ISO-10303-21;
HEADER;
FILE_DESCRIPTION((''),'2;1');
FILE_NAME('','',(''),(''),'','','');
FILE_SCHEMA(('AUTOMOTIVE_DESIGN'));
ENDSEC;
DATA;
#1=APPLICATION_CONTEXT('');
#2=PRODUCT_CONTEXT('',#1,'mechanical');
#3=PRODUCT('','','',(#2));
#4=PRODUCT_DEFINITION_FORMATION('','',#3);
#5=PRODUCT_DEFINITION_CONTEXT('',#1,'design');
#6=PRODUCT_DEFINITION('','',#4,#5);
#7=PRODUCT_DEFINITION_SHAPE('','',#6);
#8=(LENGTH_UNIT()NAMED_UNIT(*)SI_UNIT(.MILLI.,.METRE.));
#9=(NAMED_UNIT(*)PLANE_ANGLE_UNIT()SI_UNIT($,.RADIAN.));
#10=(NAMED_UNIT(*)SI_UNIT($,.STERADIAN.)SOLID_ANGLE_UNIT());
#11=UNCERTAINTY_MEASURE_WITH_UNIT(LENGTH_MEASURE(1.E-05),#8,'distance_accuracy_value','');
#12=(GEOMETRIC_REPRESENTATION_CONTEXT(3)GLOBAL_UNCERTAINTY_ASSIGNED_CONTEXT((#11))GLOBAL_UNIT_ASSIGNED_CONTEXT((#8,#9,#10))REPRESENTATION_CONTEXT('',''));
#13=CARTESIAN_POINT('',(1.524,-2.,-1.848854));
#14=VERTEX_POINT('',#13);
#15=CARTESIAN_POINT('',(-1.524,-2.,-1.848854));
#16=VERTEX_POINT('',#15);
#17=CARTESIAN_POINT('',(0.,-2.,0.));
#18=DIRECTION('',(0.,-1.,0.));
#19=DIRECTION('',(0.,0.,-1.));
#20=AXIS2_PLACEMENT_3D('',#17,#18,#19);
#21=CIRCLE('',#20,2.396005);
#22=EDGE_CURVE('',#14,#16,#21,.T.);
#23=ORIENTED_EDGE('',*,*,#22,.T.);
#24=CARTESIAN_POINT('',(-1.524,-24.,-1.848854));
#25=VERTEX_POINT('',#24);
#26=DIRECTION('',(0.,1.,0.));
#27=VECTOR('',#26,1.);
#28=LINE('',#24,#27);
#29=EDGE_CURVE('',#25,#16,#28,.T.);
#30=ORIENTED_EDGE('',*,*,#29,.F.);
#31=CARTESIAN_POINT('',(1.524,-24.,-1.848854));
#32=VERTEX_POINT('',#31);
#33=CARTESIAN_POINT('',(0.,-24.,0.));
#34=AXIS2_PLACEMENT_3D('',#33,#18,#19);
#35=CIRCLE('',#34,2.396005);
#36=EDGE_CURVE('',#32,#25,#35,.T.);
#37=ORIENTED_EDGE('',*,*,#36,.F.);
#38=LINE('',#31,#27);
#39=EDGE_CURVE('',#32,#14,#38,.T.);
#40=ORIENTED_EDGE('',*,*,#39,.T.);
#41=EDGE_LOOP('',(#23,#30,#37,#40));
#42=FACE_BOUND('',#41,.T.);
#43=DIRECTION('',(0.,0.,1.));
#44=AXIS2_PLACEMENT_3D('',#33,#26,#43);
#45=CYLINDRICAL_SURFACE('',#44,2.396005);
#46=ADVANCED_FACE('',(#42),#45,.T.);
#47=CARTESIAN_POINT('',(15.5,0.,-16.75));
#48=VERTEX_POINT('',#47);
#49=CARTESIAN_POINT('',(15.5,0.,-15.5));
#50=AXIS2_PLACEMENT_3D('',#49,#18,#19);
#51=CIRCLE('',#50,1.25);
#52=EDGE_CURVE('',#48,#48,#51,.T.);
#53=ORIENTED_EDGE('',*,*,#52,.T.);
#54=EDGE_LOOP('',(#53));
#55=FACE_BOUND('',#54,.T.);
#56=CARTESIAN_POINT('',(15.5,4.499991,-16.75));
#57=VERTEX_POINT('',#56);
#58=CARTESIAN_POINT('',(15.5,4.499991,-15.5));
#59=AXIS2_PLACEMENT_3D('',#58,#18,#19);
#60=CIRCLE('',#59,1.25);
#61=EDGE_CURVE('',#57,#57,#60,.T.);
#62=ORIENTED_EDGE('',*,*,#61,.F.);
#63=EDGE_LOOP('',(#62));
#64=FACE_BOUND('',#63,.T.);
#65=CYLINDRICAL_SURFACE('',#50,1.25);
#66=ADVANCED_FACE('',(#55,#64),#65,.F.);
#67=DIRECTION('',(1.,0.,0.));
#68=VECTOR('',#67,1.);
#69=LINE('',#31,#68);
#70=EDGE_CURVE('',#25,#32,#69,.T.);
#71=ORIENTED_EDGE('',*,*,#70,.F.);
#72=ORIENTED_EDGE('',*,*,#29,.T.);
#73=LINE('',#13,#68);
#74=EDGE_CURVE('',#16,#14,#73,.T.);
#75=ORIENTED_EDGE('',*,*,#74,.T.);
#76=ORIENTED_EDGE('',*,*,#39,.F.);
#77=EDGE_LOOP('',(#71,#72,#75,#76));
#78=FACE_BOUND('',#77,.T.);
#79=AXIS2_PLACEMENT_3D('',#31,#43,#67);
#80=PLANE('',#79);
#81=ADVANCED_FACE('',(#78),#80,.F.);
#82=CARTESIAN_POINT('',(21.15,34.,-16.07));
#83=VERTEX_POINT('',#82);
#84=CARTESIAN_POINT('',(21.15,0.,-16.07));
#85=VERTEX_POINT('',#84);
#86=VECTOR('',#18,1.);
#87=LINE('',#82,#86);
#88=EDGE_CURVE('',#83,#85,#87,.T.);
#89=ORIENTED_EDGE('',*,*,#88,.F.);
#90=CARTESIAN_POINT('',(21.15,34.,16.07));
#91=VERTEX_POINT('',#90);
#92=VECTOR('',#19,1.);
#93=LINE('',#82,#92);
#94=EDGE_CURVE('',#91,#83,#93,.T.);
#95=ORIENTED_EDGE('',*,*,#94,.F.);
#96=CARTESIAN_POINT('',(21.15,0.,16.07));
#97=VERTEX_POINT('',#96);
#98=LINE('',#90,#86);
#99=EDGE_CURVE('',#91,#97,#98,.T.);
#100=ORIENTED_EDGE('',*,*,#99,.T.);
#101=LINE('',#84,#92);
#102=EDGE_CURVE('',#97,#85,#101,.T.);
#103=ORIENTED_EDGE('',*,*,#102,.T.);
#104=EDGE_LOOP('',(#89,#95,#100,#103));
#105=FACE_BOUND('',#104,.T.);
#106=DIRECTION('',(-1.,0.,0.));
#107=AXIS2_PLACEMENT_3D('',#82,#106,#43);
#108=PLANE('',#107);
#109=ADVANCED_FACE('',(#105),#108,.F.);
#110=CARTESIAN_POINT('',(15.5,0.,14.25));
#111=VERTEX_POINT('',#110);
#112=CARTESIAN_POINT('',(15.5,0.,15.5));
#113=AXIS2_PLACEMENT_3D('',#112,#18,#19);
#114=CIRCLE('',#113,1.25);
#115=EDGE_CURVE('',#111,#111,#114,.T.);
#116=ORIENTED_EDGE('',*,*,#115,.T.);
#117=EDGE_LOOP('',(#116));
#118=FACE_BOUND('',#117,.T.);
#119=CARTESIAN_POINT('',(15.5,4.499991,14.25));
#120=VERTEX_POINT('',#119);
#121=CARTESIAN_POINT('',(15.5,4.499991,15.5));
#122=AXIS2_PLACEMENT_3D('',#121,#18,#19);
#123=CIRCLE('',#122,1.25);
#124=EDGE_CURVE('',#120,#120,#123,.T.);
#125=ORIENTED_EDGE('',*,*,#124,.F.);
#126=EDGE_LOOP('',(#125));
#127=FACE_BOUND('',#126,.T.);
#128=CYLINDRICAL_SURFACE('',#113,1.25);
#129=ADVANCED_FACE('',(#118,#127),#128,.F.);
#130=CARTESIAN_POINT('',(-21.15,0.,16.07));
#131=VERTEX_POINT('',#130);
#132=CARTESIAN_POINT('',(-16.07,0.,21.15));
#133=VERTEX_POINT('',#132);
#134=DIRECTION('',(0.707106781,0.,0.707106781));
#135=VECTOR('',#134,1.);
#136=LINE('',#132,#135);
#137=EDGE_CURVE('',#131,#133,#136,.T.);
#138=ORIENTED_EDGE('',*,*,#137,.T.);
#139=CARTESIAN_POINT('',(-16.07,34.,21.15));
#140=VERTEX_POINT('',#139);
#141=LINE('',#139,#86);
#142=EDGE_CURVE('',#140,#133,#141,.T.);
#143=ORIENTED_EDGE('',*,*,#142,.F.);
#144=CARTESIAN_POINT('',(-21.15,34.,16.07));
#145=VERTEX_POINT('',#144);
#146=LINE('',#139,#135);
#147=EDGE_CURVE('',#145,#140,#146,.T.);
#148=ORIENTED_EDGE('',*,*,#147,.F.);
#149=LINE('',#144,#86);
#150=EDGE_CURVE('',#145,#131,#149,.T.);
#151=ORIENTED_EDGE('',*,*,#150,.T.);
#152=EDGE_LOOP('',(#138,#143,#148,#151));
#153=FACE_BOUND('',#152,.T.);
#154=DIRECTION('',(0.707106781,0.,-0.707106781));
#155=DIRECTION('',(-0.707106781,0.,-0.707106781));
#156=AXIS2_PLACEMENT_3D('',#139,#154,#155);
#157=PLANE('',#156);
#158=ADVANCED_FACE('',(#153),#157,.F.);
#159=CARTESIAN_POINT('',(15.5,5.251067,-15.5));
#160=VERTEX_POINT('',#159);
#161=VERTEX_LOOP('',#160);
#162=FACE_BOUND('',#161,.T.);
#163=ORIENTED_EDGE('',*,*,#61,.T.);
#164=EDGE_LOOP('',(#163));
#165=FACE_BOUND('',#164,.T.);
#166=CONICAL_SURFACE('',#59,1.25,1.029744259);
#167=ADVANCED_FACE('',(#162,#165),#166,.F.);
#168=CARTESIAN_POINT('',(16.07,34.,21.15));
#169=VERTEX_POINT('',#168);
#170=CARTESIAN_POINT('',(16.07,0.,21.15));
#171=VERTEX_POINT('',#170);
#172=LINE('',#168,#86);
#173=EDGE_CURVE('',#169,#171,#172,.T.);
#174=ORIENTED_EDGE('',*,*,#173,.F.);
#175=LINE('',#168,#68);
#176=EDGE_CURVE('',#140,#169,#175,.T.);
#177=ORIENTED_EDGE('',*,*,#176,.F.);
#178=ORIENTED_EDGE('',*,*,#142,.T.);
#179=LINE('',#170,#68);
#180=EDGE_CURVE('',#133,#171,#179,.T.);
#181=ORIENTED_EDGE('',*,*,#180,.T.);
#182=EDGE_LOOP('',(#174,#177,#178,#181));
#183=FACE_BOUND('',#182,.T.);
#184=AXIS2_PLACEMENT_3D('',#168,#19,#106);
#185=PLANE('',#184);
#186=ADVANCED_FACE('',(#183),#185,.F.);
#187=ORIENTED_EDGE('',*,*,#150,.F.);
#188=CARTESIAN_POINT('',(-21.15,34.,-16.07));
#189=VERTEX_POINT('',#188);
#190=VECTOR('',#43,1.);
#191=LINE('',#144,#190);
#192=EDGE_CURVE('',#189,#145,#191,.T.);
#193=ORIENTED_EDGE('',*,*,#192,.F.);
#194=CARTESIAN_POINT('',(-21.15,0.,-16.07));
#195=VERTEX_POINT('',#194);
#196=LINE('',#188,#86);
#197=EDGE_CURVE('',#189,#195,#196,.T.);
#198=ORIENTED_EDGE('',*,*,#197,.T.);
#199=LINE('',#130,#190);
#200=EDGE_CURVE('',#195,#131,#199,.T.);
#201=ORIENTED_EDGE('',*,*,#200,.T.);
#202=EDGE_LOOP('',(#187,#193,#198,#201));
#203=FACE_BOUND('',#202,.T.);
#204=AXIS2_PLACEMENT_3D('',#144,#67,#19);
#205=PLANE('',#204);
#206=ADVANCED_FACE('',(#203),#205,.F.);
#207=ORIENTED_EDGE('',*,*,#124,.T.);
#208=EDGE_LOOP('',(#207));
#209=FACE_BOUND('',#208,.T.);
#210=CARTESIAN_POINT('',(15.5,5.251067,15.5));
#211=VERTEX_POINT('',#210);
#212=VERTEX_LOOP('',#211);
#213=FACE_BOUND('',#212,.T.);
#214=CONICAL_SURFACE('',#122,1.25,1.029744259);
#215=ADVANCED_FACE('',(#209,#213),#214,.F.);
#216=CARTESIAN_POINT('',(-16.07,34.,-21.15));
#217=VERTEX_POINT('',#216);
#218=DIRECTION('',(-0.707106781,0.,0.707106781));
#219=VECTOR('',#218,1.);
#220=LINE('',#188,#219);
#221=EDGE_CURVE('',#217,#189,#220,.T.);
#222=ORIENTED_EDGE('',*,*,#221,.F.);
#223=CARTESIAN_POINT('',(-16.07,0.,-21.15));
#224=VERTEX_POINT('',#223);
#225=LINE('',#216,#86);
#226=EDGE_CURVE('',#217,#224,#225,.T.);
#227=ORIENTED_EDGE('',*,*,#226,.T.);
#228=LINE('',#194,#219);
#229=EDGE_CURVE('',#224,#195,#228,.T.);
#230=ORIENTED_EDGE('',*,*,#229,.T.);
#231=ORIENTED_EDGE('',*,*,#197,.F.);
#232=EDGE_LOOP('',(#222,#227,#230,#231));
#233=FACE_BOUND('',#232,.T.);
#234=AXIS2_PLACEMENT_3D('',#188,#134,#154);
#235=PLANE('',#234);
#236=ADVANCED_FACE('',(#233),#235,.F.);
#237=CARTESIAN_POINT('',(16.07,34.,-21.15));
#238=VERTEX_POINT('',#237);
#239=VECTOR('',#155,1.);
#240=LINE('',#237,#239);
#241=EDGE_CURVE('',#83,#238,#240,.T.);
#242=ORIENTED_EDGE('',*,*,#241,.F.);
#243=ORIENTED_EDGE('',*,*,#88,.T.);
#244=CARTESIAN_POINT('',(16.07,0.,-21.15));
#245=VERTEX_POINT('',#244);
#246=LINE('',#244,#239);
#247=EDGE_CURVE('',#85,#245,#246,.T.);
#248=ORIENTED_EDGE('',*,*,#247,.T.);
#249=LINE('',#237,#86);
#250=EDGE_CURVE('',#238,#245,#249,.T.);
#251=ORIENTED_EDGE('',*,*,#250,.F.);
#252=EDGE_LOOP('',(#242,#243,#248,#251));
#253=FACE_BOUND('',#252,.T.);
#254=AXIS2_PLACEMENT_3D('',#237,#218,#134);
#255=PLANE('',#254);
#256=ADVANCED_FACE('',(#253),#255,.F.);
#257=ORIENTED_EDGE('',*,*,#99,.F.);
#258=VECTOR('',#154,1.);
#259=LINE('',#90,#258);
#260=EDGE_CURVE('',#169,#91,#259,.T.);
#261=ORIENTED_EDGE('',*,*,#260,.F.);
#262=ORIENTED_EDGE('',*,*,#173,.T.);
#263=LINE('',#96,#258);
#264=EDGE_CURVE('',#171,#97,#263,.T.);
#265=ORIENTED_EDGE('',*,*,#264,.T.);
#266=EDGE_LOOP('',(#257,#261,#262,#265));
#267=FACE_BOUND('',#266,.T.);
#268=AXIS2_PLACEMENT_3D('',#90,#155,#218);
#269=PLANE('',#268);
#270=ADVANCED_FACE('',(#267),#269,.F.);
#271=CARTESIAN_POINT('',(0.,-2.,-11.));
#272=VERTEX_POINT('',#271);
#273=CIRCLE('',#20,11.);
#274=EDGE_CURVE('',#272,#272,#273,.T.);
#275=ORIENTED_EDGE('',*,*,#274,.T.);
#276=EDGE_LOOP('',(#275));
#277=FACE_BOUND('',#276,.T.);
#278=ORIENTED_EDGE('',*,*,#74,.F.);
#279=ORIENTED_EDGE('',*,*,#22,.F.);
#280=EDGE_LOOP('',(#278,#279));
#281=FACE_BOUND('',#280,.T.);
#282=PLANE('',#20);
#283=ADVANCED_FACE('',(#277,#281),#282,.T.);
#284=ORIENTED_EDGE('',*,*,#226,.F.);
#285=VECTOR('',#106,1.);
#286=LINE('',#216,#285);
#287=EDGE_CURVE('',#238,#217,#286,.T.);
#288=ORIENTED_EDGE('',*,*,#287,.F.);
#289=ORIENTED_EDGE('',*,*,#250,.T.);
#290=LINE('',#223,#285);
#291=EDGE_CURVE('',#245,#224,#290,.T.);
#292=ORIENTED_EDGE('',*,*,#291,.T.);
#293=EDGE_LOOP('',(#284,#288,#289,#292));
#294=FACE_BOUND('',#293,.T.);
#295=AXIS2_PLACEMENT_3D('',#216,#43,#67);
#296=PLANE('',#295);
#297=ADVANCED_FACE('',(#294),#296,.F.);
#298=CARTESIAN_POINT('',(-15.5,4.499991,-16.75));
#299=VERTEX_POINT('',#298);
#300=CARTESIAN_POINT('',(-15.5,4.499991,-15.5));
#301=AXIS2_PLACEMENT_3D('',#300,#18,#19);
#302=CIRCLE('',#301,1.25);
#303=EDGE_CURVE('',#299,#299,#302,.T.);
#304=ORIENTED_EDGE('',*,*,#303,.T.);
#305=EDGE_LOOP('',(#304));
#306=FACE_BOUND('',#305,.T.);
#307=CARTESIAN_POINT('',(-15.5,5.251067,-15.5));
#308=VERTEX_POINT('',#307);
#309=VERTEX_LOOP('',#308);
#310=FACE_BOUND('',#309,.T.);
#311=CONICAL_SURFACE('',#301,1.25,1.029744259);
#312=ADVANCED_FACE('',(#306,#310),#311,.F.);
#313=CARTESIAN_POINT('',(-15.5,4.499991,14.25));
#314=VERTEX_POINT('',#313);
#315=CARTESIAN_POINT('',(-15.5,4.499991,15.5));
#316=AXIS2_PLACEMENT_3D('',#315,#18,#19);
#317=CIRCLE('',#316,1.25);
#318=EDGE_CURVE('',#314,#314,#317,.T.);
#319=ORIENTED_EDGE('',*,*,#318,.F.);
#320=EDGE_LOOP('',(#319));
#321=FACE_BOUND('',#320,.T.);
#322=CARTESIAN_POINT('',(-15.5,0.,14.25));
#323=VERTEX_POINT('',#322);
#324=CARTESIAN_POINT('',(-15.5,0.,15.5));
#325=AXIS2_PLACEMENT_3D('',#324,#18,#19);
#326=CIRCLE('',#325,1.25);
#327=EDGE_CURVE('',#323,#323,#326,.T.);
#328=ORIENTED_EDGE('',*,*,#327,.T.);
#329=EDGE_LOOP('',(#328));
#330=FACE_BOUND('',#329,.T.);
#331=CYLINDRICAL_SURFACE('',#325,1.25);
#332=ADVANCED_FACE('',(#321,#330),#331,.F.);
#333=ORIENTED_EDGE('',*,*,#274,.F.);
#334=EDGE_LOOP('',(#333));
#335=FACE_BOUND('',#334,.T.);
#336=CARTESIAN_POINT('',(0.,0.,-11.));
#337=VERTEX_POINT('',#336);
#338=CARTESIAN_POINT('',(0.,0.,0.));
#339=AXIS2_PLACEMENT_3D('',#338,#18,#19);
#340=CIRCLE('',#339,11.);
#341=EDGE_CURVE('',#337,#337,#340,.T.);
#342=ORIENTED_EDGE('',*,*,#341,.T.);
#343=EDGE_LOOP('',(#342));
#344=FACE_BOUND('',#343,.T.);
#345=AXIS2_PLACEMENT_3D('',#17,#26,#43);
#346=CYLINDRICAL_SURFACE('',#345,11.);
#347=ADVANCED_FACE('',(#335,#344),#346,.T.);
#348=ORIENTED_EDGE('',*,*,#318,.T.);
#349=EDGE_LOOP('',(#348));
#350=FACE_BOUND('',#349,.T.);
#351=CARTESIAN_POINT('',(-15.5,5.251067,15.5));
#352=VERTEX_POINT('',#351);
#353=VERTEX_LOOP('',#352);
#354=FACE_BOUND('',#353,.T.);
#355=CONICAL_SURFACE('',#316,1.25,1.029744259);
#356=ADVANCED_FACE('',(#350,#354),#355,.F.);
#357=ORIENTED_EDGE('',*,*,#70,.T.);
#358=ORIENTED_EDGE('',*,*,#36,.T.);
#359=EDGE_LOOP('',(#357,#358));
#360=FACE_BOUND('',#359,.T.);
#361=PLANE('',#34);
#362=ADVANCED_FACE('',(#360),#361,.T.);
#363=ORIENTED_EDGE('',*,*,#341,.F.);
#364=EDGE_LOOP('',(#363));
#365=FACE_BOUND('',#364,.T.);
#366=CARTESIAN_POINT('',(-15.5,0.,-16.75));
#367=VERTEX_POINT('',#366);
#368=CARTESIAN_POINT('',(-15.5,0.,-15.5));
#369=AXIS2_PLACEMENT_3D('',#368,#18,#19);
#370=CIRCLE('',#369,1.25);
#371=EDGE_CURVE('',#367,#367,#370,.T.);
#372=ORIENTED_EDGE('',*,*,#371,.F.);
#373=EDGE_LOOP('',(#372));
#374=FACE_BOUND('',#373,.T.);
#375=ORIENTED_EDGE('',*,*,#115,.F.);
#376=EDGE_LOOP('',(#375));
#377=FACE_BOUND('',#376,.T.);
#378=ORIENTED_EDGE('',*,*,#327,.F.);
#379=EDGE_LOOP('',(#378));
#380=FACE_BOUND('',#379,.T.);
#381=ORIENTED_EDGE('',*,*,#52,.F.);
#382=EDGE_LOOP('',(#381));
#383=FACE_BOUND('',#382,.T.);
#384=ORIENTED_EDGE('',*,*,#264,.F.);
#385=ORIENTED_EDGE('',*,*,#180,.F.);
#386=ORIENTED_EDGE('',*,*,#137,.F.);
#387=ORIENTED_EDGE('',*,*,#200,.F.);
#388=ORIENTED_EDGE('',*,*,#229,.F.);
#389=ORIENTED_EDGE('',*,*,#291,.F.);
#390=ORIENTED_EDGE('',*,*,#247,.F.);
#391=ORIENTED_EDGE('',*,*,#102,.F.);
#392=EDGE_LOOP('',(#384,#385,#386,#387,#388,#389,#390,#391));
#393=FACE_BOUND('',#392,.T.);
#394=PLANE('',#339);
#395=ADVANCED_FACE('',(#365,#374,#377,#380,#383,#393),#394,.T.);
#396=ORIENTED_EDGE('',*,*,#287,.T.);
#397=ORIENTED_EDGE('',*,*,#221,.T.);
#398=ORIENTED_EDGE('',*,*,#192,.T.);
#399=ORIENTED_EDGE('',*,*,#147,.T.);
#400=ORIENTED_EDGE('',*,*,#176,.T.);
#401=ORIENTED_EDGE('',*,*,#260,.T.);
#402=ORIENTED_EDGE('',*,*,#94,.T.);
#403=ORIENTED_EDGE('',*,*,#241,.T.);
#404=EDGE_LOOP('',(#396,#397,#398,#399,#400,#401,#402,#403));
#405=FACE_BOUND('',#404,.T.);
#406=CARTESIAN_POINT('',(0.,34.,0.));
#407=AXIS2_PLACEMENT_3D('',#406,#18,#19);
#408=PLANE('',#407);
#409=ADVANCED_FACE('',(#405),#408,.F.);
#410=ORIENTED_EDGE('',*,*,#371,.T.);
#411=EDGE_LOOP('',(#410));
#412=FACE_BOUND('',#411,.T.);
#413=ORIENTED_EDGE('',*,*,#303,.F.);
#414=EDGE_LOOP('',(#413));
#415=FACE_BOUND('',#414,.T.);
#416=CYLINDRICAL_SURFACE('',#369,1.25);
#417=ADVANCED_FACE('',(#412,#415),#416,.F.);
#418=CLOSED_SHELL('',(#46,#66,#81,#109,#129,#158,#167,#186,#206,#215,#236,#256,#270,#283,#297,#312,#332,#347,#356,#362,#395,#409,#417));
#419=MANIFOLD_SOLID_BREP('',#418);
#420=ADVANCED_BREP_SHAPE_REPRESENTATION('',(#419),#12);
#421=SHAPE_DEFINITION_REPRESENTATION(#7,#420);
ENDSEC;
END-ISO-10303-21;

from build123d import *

# Parameters (mm, degrees)
BOSS_EXTRUDE1_DEPTH       = 34
M3X0_5_TAPPED_HOLE1_D     = 2.5
M3X0_5_TAPPED_HOLE1_DEPTH = 4.499991
M3X0_5_TAPPED_HOLE1_TIP   = 0.751075774
SKETCH4_R                 = 11
BOSS_EXTRUDE2_DEPTH       = 2
BOSS_EXTRUDE3_DEPTH       = 22


with BuildPart() as part:
    # Sketch1 → Boss-Extrude1 (new body)
    with BuildSketch(Plane(origin=(0, 0, 0), x_dir=(1, 0, 0), z_dir=(0, 1, 0))):
        Polygon((-21.15, -16.07), (-21.15, 16.07), (-16.07, 21.15), (16.07, 21.15), (21.15, 16.07), (21.15, -16.07), (16.07, -21.15), (-16.07, -21.15), align=None)
    extrude(amount=BOSS_EXTRUDE1_DEPTH)

    # M3x0.5 Tapped Hole1
    with Locations(Plane(origin=(0, 0, 0), x_dir=(-1, 0, 0), z_dir=(0, -1, 0))):
        with Locations((-15.5, 15.5), (15.5, 15.5), (15.5, -15.5), (-15.5, -15.5)):
            Hole(M3X0_5_TAPPED_HOLE1_D / 2, depth=M3X0_5_TAPPED_HOLE1_DEPTH)
            with Locations((0, 0, -(M3X0_5_TAPPED_HOLE1_DEPTH + M3X0_5_TAPPED_HOLE1_TIP / 2))):  # 118° drill point
                Cone(0, M3X0_5_TAPPED_HOLE1_D / 2, M3X0_5_TAPPED_HOLE1_TIP, mode=Mode.SUBTRACT)

    # Sketch4 → Boss-Extrude2 (add)
    with BuildSketch(Plane(origin=(0, 0, 0), x_dir=(-1, 0, 0), z_dir=(0, -1, 0))):
        Circle(SKETCH4_R)
    extrude(amount=BOSS_EXTRUDE2_DEPTH)

    # Sketch5 → Boss-Extrude3 (add)
    with BuildSketch(Plane.XZ.offset(2)):
        with BuildLine():
            Line((1.524, -1.848854431), (-1.524, -1.848854431))
            ThreePointArc((-1.524, -1.848854431), (0, 2.396004738), (1.524, -1.848854431))
        make_face()
    extrude(amount=BOSS_EXTRUDE3_DEPTH)


solid = part.part
